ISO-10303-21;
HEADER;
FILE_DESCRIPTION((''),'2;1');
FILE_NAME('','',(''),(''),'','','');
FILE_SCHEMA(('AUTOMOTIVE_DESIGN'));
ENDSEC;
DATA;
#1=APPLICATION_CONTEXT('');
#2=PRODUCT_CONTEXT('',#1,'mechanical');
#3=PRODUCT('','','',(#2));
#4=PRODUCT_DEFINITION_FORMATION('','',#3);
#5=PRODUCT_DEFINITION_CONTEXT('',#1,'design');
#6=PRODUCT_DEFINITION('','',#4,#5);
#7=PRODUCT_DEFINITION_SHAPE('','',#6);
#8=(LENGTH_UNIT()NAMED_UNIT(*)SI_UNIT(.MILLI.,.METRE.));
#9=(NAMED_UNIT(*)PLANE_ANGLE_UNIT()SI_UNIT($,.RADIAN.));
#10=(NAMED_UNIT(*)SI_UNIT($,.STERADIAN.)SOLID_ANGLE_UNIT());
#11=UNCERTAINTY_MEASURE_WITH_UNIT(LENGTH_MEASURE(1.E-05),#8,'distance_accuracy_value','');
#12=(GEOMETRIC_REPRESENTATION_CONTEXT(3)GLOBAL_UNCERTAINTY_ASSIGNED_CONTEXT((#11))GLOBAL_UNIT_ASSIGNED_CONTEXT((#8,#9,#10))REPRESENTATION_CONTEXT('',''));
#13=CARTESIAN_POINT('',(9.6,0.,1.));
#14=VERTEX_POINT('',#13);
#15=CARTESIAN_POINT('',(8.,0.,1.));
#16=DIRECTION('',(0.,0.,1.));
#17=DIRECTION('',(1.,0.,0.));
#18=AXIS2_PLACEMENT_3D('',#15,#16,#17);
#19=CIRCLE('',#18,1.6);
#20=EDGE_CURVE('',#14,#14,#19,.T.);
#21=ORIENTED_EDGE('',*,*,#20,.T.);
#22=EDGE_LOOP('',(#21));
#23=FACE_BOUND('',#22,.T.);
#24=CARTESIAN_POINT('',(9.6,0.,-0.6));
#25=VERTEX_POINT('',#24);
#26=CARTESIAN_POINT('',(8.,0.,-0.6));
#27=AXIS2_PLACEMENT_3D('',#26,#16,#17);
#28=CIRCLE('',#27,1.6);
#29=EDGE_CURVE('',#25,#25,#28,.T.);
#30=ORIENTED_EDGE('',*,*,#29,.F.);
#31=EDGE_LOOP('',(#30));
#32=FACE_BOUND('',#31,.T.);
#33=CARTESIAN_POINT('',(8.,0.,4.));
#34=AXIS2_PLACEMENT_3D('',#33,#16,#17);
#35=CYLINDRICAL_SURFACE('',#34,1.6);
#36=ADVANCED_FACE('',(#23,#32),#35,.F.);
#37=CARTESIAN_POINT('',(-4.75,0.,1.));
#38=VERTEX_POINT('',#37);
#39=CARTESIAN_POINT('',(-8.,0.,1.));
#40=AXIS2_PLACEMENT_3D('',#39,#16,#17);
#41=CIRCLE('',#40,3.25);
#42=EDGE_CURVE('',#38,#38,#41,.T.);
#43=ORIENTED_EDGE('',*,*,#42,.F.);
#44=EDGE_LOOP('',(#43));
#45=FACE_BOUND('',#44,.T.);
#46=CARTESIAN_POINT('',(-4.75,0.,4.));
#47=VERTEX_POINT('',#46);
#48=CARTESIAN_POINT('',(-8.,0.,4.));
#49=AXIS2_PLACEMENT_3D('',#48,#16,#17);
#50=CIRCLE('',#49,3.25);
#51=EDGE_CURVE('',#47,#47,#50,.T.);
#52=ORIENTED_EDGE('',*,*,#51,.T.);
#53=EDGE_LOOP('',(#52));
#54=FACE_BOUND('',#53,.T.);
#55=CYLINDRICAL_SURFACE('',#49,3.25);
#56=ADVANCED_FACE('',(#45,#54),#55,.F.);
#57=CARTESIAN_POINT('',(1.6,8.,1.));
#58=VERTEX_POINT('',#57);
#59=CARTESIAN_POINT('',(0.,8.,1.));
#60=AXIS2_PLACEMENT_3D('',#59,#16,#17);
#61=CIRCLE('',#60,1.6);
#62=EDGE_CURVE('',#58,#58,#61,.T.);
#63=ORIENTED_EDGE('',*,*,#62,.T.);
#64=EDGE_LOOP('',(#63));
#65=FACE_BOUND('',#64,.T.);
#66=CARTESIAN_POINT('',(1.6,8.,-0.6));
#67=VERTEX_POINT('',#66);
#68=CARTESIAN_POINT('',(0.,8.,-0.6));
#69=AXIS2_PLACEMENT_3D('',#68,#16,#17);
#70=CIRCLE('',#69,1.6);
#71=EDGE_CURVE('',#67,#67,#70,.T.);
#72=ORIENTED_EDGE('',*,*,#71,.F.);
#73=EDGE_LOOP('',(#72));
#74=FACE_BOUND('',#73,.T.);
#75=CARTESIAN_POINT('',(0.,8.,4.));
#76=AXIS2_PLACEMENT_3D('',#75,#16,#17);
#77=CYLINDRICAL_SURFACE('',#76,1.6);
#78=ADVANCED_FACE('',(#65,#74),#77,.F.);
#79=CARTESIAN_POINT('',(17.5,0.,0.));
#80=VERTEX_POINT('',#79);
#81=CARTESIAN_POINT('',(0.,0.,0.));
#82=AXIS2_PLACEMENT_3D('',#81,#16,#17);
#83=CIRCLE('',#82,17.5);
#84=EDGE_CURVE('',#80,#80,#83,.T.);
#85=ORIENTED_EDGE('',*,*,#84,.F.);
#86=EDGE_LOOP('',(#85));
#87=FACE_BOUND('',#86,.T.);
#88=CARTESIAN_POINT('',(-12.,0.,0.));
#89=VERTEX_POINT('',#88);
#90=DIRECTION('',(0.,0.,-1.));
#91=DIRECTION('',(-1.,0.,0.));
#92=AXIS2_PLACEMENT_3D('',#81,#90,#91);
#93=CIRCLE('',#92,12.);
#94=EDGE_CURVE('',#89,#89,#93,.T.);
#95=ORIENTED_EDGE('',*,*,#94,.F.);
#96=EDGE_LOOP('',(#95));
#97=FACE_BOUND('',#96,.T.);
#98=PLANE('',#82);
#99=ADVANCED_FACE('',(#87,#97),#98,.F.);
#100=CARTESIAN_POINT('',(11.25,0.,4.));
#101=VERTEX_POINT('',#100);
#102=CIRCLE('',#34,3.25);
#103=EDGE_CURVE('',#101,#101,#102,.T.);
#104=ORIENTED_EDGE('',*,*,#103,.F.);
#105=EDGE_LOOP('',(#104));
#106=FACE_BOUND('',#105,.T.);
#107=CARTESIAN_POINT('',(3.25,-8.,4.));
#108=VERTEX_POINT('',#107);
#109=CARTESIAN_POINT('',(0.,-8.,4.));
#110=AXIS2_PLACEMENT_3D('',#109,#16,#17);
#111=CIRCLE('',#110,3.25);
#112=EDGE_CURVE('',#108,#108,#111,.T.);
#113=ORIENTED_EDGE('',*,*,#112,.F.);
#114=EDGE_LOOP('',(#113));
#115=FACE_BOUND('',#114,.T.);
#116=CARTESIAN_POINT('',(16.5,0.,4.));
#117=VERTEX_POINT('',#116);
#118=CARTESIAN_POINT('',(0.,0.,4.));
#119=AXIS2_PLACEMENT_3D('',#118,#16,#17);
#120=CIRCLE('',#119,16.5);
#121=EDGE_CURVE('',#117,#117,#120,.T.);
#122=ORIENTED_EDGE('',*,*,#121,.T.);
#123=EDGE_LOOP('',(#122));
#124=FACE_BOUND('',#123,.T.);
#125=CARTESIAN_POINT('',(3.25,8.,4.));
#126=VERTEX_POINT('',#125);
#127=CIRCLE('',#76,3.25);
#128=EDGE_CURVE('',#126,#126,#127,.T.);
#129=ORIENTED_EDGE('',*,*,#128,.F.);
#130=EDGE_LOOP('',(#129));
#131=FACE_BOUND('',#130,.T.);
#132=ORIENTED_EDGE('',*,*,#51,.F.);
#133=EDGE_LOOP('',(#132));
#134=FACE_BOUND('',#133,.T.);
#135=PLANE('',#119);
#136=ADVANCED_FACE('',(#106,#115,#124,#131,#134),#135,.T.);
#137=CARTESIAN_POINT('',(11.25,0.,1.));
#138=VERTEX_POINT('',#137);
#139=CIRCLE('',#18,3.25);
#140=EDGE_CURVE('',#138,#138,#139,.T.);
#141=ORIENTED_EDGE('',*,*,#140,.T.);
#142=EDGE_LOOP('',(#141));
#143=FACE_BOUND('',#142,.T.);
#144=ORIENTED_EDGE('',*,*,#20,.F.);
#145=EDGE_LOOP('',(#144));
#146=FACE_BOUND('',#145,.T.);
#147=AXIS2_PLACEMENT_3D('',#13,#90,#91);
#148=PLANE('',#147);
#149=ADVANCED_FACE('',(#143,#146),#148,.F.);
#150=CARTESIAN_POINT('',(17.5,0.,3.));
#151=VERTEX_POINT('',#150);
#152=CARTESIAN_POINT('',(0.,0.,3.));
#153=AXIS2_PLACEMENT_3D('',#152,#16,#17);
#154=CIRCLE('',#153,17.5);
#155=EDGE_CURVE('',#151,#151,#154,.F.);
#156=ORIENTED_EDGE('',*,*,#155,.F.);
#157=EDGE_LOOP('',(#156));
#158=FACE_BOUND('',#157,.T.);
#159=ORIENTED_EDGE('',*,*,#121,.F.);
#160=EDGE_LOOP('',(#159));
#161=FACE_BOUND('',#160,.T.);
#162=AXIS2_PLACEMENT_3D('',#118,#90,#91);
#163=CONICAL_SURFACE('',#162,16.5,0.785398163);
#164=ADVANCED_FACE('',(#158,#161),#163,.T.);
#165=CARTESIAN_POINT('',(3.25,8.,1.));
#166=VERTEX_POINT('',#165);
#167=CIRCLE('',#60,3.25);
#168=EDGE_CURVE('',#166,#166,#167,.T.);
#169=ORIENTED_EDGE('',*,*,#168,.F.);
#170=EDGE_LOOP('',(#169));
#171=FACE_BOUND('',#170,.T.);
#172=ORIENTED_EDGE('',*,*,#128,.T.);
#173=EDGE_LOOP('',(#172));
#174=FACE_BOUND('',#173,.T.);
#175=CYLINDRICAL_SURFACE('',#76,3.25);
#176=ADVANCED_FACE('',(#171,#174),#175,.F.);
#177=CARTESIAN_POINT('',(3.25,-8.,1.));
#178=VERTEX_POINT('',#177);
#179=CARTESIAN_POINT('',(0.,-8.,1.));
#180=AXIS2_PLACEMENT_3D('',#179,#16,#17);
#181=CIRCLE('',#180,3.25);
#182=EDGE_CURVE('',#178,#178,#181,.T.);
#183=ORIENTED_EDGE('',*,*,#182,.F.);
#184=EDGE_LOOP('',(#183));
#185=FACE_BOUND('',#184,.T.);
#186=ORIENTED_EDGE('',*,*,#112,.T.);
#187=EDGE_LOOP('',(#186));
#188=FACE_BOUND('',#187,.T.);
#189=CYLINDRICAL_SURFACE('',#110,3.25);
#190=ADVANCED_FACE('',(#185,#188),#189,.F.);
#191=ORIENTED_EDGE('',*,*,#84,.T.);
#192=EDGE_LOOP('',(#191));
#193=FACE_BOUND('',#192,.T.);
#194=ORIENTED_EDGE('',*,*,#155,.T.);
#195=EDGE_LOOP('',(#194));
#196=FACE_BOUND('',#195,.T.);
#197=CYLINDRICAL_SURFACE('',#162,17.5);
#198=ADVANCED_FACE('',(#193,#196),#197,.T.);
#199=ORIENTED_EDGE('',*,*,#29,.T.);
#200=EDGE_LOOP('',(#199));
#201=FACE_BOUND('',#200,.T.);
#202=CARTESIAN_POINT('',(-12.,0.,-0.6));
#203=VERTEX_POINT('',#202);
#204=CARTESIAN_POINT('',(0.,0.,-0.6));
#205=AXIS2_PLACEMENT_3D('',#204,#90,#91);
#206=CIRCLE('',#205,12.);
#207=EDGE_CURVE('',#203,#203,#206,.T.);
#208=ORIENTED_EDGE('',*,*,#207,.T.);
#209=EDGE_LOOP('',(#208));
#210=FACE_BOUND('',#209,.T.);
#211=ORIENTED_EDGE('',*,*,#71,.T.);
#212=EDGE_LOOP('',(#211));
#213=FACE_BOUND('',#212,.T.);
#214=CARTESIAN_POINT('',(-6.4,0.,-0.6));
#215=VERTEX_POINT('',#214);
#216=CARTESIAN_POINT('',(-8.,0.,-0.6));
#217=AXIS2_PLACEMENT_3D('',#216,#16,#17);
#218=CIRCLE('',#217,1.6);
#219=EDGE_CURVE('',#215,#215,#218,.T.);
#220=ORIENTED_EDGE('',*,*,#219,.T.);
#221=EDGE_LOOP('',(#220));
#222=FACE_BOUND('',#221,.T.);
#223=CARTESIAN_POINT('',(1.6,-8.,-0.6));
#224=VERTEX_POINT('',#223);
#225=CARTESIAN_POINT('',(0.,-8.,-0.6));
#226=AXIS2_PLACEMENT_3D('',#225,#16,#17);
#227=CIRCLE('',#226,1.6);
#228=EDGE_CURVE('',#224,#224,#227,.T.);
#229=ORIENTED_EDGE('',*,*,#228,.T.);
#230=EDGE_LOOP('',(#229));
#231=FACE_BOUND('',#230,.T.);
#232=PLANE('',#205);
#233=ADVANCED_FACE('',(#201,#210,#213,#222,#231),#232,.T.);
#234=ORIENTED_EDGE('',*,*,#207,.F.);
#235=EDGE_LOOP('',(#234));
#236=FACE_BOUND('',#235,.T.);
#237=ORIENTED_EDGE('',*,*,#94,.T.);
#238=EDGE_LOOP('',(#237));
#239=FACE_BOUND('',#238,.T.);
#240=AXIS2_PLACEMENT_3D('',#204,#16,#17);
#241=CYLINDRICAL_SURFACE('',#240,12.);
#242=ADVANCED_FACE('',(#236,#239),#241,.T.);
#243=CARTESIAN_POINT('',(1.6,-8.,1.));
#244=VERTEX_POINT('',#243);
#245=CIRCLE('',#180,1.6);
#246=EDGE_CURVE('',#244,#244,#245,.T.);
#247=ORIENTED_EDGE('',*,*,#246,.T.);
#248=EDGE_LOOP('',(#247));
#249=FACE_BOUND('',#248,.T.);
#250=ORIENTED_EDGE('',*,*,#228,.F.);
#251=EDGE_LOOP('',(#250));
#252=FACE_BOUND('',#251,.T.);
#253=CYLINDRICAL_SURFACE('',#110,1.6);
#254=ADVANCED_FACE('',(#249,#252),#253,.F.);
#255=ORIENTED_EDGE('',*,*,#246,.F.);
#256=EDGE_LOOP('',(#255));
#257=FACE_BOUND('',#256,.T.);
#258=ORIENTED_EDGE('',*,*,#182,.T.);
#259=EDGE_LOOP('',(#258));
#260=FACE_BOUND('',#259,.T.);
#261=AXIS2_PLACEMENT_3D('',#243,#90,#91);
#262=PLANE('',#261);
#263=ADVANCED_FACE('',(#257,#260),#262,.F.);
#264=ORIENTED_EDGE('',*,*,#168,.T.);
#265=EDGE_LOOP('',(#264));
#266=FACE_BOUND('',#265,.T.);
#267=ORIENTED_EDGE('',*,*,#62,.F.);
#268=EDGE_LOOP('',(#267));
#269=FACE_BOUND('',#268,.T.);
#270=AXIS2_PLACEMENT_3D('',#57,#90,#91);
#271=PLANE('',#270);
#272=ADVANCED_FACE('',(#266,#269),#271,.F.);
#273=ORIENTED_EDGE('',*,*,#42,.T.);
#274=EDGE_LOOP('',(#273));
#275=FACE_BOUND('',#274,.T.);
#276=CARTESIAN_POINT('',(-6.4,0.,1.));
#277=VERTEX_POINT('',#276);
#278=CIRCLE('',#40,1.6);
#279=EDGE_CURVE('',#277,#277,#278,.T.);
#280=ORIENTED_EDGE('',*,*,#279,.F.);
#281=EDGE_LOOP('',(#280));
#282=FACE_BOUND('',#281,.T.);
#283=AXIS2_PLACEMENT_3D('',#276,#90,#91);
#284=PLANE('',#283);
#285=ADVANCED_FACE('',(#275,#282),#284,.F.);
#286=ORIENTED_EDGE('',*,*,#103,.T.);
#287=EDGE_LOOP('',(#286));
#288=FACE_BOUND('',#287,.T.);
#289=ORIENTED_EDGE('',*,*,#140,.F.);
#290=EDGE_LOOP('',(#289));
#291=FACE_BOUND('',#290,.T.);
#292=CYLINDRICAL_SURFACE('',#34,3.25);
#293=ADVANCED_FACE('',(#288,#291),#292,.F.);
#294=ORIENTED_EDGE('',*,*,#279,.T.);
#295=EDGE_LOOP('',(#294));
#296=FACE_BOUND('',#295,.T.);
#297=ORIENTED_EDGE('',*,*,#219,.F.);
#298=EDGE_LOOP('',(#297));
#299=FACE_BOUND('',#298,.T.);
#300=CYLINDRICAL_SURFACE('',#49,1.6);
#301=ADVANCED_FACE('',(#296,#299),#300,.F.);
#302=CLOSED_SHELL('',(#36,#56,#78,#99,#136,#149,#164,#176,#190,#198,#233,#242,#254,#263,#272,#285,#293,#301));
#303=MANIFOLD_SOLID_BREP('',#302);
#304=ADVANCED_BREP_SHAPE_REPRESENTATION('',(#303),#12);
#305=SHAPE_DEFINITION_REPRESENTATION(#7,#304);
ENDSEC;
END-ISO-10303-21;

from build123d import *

# Parameters (mm, degrees)
SKETCH1_R                      = 17.5
BOSS_EXTRUDE1_DEPTH            = 4
SKETCH2_R                      = 12
BOSS_EXTRUDE2_DEPTH            = 0.6
CBORE_FOR_M3_SHCS1_D           = 3.2
CBORE_FOR_M3_SHCS1_CBORE_D     = 6.5
CBORE_FOR_M3_SHCS1_CBORE_DEPTH = 3
CHAMFER1_SIZE                  = 1


with BuildPart() as part:
    # Sketch1 → Boss-Extrude1 (new body)
    with BuildSketch(Plane.XY):
        Circle(SKETCH1_R)
    extrude(amount=BOSS_EXTRUDE1_DEPTH)

    # Sketch2 → Boss-Extrude2 (add)
    with BuildSketch(Plane(origin=(0, 0, 0), x_dir=(-1, 0, 0), z_dir=(0, 0, -1))):
        Circle(SKETCH2_R)
    extrude(amount=BOSS_EXTRUDE2_DEPTH)

    # CBORE for M3 SHCS1 (through all)
    with Locations(Plane.XY.offset(4)):
        with Locations((0, 8), (8, 0), (0, -8), (-8, 0)):
            CounterBoreHole(CBORE_FOR_M3_SHCS1_D / 2, CBORE_FOR_M3_SHCS1_CBORE_D / 2, CBORE_FOR_M3_SHCS1_CBORE_DEPTH)

    # Chamfer1
    chamfer1_edges = [part.edges().sort_by_distance(p)[0] for p in [
        (-17.5, 0, 4),
    ]]
    chamfer(chamfer1_edges, length=CHAMFER1_SIZE)


solid = part.part
